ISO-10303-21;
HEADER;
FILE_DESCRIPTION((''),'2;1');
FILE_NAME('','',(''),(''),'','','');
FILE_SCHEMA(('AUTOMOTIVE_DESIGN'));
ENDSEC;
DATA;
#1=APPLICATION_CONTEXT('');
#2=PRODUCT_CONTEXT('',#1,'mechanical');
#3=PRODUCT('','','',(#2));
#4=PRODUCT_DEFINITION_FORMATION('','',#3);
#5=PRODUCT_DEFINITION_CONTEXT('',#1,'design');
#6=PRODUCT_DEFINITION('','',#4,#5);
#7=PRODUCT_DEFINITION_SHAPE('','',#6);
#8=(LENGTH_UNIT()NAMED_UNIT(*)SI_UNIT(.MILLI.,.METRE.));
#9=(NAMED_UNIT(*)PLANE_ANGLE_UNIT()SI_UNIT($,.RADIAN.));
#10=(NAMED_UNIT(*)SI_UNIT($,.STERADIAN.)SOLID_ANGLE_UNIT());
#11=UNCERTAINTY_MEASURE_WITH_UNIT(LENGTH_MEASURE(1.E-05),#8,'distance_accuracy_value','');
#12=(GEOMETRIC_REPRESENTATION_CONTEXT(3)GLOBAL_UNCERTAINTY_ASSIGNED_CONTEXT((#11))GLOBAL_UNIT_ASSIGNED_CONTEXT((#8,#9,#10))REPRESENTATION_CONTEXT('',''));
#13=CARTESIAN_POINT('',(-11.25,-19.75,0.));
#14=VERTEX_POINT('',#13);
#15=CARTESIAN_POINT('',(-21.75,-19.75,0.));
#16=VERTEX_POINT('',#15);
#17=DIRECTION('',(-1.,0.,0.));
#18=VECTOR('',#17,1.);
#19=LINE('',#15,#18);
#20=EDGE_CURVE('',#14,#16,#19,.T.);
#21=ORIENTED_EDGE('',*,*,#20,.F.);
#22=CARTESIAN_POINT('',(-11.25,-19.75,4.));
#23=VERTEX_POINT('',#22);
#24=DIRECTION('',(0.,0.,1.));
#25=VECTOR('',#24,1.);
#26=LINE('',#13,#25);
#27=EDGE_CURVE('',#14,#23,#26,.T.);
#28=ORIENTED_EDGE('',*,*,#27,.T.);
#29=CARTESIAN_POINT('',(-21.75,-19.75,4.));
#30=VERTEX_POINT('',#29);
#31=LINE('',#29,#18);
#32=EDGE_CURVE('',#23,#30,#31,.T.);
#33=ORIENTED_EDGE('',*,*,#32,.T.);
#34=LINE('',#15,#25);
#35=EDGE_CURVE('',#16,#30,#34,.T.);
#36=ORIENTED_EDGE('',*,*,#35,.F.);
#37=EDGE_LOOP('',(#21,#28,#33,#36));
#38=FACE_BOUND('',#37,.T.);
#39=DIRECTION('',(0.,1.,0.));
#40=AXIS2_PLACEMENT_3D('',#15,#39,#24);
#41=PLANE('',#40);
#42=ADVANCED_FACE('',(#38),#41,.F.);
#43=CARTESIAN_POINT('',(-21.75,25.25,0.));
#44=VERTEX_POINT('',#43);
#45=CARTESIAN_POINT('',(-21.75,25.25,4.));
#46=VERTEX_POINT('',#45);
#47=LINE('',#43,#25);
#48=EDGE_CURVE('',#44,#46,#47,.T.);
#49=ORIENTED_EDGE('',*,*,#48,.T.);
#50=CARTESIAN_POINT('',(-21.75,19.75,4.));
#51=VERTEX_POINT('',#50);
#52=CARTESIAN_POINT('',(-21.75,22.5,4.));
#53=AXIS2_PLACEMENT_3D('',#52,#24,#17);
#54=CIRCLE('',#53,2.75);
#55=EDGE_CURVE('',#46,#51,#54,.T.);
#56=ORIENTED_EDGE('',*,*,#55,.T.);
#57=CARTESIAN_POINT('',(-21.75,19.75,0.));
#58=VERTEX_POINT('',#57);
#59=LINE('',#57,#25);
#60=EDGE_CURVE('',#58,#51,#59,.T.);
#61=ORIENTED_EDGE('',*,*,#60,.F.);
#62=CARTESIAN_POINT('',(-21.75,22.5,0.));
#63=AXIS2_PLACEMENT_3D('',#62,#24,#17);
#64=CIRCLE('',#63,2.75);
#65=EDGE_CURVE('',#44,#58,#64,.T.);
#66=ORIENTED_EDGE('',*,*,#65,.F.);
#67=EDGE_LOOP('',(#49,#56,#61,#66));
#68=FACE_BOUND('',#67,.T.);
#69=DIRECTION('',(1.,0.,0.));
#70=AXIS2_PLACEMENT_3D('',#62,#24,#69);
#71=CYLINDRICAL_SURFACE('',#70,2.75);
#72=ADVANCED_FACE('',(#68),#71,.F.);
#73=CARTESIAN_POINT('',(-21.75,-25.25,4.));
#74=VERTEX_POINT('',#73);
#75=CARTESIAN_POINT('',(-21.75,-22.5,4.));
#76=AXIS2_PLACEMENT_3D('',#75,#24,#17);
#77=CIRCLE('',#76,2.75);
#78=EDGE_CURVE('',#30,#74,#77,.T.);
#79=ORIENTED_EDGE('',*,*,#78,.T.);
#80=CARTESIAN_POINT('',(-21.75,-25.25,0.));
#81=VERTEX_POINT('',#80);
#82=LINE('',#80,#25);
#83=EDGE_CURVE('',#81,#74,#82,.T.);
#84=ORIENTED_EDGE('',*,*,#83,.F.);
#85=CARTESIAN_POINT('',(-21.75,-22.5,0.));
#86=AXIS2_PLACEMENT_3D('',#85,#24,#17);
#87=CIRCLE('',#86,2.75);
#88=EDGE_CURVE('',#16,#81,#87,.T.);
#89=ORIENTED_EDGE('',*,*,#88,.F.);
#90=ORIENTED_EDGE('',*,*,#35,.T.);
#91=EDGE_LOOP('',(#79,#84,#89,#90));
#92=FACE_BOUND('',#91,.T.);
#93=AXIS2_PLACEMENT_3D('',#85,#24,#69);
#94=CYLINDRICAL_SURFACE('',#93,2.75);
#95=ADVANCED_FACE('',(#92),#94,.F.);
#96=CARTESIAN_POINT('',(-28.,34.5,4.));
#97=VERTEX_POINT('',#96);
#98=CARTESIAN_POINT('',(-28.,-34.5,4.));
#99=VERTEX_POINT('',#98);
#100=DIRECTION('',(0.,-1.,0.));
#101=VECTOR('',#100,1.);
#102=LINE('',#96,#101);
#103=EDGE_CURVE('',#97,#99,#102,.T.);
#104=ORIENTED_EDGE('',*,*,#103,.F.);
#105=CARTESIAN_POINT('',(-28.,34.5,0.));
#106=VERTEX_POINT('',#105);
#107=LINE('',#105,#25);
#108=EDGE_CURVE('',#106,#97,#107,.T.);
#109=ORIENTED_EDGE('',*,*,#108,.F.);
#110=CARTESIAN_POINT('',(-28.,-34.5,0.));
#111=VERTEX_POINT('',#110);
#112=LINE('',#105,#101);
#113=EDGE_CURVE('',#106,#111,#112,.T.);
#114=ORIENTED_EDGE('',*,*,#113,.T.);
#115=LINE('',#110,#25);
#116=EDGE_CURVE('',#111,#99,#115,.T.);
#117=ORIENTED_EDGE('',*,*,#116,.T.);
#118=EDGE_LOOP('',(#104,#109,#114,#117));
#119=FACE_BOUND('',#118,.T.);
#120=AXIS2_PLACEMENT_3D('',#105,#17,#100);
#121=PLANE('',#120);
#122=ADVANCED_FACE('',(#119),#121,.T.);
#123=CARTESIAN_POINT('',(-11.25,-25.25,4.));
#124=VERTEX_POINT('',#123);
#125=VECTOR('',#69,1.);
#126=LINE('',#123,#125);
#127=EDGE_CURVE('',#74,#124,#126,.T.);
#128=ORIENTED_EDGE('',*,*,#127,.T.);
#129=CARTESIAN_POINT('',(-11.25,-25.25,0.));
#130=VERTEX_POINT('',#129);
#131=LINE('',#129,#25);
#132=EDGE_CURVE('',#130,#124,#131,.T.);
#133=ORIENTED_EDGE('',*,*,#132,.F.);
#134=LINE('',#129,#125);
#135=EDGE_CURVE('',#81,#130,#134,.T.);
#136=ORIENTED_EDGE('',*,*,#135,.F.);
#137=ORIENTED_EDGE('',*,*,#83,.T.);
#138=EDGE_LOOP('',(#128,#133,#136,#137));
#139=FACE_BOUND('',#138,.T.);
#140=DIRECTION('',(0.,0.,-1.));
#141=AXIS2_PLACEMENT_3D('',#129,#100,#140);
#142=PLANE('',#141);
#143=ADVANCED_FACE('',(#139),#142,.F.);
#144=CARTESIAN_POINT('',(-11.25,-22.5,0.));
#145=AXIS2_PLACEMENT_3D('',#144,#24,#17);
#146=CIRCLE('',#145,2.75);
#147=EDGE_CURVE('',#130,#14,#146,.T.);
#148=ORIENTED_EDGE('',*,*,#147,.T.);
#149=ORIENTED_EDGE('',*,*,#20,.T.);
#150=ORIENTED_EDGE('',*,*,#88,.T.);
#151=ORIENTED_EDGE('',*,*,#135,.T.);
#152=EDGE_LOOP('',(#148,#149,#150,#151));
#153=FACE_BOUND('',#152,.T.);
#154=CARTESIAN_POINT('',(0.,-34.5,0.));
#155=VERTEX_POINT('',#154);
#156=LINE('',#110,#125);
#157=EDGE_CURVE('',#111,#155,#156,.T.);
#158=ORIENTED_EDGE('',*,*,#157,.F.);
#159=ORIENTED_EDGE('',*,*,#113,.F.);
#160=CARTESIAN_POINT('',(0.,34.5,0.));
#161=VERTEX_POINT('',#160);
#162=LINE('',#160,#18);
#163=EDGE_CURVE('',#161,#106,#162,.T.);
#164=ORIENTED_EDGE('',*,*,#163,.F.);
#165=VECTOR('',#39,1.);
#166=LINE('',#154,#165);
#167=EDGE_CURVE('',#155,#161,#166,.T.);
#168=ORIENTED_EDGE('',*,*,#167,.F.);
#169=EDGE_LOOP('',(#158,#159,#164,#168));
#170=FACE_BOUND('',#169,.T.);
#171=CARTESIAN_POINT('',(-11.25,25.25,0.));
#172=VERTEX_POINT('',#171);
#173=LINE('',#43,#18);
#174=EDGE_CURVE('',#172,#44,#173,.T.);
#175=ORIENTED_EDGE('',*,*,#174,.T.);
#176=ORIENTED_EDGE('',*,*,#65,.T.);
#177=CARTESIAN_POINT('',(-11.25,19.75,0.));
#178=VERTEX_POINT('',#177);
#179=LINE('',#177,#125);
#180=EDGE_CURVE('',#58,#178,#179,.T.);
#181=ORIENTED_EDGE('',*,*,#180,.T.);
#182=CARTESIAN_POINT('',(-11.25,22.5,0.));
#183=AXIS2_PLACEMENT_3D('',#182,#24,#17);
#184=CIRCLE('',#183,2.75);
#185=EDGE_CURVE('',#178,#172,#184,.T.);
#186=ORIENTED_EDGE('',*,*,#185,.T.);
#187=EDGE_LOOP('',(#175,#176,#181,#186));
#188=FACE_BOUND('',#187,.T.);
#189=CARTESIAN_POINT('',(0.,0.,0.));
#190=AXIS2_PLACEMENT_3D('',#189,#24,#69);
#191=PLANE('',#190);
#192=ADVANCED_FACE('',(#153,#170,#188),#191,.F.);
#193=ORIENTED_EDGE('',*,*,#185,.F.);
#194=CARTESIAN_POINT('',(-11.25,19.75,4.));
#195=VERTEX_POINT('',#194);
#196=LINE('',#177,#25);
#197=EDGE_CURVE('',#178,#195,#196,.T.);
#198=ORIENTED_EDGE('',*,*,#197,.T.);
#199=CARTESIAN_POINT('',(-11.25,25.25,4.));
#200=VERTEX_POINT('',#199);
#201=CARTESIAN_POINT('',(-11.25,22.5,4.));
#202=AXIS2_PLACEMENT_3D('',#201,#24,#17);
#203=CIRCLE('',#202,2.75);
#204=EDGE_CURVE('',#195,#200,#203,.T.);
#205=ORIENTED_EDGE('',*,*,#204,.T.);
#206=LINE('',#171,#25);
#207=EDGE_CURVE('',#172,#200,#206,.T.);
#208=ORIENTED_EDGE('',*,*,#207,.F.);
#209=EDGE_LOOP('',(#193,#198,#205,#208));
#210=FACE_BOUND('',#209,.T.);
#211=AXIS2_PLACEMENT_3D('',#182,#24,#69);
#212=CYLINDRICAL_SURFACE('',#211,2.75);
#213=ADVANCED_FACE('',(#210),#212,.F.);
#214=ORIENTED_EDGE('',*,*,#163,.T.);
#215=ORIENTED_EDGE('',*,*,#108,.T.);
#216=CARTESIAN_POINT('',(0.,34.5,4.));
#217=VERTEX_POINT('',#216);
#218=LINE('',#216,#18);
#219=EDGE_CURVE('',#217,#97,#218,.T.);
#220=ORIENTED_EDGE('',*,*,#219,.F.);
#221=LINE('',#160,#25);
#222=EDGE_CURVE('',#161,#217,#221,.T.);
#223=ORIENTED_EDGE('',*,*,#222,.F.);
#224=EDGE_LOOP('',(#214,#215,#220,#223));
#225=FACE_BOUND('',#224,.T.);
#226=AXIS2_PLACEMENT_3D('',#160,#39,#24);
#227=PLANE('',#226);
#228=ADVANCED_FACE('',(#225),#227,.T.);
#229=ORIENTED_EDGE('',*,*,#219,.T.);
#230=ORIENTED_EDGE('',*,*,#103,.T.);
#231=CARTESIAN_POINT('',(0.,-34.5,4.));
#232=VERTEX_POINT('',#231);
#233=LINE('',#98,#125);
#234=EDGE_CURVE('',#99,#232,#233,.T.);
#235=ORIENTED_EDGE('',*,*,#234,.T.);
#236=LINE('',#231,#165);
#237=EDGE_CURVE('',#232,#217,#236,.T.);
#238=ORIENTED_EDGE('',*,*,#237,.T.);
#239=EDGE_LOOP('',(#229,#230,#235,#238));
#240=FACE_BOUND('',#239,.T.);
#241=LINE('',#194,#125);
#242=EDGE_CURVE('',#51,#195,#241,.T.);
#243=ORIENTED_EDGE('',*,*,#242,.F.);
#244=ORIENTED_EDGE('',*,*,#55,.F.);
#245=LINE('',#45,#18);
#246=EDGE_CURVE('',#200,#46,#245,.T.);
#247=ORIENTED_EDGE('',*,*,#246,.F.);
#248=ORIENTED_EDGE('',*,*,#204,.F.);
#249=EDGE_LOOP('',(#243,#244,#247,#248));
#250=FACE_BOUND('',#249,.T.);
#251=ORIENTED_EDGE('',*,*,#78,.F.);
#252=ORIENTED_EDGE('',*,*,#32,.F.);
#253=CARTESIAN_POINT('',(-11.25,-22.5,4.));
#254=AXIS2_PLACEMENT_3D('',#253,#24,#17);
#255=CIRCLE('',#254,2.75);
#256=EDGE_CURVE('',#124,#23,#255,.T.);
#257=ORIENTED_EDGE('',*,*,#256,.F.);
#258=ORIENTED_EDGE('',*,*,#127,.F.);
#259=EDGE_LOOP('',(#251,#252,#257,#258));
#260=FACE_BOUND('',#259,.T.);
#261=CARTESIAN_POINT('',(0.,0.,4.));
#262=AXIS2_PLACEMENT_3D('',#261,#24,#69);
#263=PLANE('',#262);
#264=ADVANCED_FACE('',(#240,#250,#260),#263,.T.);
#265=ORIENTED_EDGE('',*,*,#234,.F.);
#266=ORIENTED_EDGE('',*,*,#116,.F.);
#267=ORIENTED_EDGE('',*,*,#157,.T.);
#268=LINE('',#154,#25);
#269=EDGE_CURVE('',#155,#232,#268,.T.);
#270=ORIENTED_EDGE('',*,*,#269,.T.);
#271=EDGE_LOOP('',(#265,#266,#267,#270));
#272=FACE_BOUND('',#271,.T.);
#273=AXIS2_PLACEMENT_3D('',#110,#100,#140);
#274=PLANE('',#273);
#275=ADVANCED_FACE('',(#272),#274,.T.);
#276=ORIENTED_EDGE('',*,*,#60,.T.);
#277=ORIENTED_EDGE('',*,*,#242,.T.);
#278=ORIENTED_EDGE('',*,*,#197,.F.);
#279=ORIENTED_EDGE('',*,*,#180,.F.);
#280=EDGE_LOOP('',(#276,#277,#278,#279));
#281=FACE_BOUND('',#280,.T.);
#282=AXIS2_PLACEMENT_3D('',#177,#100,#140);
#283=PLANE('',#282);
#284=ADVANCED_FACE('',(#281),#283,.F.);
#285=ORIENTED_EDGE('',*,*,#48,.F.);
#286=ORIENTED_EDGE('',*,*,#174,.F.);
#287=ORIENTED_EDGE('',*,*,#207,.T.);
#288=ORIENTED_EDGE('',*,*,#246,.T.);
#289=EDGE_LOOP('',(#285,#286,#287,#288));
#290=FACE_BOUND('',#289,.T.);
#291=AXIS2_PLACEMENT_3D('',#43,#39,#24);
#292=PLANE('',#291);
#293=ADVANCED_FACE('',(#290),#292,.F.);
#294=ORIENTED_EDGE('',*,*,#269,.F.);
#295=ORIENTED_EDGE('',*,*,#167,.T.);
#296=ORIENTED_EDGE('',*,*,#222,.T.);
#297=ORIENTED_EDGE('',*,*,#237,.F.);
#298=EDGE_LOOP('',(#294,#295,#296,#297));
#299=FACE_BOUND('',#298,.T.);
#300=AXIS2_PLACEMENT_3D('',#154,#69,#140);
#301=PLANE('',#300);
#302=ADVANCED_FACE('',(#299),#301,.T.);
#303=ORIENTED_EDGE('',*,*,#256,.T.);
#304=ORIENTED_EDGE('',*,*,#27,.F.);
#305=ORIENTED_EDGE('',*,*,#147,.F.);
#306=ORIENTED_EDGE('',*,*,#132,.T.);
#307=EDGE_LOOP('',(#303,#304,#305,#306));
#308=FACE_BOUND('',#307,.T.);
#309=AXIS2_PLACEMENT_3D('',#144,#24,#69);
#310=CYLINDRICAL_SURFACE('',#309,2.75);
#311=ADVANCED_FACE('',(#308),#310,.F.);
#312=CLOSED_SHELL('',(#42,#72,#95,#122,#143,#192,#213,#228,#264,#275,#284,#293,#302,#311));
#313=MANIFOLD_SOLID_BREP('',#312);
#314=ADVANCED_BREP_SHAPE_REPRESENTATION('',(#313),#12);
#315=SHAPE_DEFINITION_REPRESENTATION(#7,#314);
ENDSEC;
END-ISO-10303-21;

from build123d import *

# Parameters (mm, degrees)
SKETCH1_W           = 28
SKETCH1_H           = 69
BOSS_EXTRUDE1_DEPTH = 4


with BuildPart() as part:
    # Sketch1 → Boss-Extrude1 (new body)
    with BuildSketch(Plane.XY.offset(4)):
        with Locations((-14, 0)):
            Rectangle(SKETCH1_W, SKETCH1_H)
        with BuildLine():
            Line((-21.75, 25.25), (-11.25, 25.25))
            ThreePointArc((-11.25, 25.25), (-8.5, 22.5), (-11.25, 19.75))
            Line((-11.25, 19.75), (-21.75, 19.75))
            ThreePointArc((-21.75, 19.75), (-24.5, 22.5), (-21.75, 25.25))
        make_face(mode=Mode.SUBTRACT)
        with BuildLine():
            Line((-21.75, -19.75), (-11.25, -19.75))
            ThreePointArc((-11.25, -19.75), (-8.5, -22.5), (-11.25, -25.25))
            Line((-11.25, -25.25), (-21.75, -25.25))
            ThreePointArc((-21.75, -25.25), (-24.5, -22.5), (-21.75, -19.75))
        make_face(mode=Mode.SUBTRACT)
    extrude(amount=-BOSS_EXTRUDE1_DEPTH)


solid = part.part
